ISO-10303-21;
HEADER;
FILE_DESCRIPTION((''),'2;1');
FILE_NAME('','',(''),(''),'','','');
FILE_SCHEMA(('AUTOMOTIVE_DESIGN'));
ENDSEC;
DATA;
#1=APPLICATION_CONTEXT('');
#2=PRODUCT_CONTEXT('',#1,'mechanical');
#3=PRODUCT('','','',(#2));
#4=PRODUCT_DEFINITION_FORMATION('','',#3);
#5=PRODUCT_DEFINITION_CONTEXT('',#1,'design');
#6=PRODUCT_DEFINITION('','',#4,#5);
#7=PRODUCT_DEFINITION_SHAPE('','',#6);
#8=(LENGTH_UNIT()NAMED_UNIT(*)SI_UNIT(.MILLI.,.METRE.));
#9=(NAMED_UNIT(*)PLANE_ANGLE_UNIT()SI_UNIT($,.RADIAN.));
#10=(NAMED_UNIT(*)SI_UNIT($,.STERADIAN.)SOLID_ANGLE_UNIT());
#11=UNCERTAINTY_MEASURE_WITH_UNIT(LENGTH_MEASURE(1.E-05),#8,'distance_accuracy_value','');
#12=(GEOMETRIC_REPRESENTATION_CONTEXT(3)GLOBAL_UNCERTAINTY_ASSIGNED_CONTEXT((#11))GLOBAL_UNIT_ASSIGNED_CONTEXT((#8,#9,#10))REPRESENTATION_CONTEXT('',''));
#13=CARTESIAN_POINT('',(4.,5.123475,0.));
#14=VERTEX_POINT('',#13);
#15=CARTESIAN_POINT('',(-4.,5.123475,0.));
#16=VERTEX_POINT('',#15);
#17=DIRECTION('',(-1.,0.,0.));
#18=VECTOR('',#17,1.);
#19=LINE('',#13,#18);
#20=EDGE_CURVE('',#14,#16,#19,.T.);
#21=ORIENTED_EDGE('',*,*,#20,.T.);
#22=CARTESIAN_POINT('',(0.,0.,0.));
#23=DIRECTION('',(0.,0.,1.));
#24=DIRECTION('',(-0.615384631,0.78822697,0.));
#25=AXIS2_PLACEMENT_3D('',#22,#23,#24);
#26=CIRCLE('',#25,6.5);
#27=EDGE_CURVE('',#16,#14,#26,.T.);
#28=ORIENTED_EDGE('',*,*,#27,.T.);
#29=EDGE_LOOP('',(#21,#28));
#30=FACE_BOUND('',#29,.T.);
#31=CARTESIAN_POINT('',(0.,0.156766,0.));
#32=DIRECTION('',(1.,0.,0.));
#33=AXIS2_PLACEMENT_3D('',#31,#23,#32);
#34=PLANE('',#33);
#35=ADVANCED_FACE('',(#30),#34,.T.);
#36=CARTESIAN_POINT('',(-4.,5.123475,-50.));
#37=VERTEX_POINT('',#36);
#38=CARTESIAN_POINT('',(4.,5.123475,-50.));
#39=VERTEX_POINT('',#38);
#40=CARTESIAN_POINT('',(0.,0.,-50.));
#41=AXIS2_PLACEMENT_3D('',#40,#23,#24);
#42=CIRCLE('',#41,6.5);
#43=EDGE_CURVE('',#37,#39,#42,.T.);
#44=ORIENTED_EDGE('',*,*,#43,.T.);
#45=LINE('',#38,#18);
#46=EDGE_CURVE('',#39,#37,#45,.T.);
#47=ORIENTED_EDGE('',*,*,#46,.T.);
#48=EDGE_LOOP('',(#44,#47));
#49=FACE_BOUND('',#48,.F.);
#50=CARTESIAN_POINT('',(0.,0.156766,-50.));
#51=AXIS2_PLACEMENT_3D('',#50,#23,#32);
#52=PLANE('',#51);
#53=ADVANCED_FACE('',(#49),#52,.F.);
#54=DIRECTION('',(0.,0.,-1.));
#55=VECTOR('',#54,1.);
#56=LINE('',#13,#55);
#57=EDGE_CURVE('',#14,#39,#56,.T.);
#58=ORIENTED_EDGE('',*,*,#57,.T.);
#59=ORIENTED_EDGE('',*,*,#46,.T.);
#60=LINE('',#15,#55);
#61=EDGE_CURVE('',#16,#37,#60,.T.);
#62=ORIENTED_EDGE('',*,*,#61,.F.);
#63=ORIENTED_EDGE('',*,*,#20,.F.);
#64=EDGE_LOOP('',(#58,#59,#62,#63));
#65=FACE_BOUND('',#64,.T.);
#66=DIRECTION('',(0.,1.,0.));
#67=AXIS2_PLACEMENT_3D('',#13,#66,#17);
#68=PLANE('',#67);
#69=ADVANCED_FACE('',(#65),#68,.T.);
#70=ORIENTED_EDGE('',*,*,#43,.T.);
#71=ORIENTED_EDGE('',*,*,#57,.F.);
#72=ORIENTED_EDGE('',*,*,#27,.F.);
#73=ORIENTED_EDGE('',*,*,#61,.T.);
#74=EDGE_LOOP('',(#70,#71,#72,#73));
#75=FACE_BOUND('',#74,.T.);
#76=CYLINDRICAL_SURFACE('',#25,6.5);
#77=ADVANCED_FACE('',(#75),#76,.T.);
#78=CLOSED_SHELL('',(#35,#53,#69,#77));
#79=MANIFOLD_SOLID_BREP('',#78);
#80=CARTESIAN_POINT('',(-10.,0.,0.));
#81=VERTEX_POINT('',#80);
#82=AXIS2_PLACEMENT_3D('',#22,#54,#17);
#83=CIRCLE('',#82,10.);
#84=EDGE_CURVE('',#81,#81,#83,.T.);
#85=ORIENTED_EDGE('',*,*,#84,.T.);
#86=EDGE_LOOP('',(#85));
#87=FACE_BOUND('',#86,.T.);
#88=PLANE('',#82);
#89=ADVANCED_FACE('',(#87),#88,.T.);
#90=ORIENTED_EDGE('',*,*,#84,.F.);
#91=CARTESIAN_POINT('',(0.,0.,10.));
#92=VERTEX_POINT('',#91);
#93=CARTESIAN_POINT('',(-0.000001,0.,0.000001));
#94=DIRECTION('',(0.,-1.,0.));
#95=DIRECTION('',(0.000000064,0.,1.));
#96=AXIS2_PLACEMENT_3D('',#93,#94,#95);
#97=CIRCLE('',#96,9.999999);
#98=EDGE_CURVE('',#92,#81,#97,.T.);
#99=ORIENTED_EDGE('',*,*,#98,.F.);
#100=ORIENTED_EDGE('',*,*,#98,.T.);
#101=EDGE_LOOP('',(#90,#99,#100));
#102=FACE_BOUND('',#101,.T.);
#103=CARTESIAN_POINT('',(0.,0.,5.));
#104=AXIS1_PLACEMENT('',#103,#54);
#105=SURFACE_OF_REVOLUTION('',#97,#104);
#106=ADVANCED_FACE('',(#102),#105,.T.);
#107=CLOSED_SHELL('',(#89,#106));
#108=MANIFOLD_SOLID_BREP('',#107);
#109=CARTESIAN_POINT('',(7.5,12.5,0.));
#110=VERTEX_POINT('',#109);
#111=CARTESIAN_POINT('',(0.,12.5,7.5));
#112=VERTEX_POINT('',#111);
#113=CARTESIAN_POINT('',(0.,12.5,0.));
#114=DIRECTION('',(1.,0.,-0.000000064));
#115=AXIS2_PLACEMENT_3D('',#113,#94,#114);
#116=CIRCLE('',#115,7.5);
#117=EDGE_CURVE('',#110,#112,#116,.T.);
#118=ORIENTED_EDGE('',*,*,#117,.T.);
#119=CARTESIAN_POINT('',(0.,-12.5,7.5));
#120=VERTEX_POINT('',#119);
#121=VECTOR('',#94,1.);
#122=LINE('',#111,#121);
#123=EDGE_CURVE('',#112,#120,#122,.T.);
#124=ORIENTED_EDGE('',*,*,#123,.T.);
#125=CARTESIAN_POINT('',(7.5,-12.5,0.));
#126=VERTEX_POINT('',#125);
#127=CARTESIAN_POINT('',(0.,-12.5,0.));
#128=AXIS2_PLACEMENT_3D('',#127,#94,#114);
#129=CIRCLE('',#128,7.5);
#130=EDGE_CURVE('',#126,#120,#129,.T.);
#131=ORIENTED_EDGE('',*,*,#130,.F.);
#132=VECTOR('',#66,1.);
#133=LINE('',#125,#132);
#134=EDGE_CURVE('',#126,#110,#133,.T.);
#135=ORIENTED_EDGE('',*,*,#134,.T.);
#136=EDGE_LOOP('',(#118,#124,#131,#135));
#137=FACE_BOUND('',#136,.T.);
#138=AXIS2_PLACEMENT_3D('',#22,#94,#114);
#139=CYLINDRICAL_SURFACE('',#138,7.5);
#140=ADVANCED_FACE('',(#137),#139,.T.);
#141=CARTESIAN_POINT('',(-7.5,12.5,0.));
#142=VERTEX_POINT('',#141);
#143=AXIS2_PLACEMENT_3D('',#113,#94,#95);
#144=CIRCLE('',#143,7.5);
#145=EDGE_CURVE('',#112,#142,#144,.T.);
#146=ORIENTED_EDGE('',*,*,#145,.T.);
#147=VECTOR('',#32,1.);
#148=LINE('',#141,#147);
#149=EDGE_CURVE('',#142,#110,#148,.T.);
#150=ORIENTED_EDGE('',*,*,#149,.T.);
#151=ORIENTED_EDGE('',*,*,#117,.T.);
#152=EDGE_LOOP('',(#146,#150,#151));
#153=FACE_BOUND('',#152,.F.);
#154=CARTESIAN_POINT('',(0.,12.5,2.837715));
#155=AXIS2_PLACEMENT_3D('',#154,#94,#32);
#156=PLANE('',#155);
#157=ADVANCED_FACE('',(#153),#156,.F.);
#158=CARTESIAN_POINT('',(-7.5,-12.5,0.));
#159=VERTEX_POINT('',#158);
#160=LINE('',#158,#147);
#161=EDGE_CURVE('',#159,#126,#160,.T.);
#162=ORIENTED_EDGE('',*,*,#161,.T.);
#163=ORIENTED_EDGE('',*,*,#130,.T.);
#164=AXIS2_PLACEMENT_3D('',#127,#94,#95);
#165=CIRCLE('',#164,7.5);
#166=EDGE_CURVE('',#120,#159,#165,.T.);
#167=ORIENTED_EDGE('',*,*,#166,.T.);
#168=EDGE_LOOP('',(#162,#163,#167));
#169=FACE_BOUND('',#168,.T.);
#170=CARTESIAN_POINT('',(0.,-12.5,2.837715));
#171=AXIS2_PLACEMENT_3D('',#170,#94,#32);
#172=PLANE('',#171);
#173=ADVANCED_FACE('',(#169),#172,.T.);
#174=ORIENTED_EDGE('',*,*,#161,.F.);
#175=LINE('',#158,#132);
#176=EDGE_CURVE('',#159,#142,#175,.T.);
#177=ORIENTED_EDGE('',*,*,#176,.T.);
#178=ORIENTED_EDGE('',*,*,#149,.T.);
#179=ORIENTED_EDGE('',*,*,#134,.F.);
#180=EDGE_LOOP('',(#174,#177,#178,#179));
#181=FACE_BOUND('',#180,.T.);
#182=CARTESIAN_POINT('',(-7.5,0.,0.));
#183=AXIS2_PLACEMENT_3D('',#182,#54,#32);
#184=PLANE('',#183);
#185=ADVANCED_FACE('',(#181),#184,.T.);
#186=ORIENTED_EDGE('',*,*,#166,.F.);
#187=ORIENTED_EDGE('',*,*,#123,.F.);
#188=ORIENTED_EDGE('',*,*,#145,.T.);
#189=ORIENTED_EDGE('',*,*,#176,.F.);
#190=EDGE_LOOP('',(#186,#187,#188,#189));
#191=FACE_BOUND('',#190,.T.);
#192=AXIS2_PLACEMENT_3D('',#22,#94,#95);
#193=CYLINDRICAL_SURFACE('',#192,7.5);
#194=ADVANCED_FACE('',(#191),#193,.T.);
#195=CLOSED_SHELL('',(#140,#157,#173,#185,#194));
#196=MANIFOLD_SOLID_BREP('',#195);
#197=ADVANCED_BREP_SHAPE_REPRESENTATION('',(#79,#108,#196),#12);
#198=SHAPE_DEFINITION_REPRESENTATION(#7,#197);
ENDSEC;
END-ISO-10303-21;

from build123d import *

# Parameters (mm, degrees)
F3_DEPTH = 50
F5_DEPTH = 12.5


with BuildPart() as f1:
    # F0 (on Front) → F1 (revolve)
    with BuildSketch(Plane.XZ):
        with BuildLine():
            Line((0, 0), (0, 10))
            ThreePointArc((0, 10), (-7.071068, 7.071068), (-10, 0))
            Line((-10, 0), (0, 0))
        make_face()
    revolve(axis=Axis((0, 0, 5), (0, 0, -1)))


with BuildPart() as f3:
    # F2 (on Top) → F3 (new body)
    with BuildSketch(Plane.XY):
        with BuildLine():
            Line((4, 5.123475), (-4, 5.123475))
            ThreePointArc((-4, 5.123475), (0, -6.5), (4, 5.123475))
        make_face()
    extrude(amount=-F3_DEPTH)


with BuildPart() as f5:
    # F4 (on Front) → F5 (new body, symmetric)
    with BuildSketch(Plane.XZ):
        with BuildLine():
            ThreePointArc((7.5, 0), (5.303301, 5.303301), (0, 7.5))
            ThreePointArc((0, 7.5), (-5.303301, 5.303301), (-7.5, 0))
            Line((-7.5, 0), (7.5, 0))
        make_face()
    extrude(amount=F5_DEPTH, both=True)


solid = Compound([f1.part, f3.part, f5.part])
